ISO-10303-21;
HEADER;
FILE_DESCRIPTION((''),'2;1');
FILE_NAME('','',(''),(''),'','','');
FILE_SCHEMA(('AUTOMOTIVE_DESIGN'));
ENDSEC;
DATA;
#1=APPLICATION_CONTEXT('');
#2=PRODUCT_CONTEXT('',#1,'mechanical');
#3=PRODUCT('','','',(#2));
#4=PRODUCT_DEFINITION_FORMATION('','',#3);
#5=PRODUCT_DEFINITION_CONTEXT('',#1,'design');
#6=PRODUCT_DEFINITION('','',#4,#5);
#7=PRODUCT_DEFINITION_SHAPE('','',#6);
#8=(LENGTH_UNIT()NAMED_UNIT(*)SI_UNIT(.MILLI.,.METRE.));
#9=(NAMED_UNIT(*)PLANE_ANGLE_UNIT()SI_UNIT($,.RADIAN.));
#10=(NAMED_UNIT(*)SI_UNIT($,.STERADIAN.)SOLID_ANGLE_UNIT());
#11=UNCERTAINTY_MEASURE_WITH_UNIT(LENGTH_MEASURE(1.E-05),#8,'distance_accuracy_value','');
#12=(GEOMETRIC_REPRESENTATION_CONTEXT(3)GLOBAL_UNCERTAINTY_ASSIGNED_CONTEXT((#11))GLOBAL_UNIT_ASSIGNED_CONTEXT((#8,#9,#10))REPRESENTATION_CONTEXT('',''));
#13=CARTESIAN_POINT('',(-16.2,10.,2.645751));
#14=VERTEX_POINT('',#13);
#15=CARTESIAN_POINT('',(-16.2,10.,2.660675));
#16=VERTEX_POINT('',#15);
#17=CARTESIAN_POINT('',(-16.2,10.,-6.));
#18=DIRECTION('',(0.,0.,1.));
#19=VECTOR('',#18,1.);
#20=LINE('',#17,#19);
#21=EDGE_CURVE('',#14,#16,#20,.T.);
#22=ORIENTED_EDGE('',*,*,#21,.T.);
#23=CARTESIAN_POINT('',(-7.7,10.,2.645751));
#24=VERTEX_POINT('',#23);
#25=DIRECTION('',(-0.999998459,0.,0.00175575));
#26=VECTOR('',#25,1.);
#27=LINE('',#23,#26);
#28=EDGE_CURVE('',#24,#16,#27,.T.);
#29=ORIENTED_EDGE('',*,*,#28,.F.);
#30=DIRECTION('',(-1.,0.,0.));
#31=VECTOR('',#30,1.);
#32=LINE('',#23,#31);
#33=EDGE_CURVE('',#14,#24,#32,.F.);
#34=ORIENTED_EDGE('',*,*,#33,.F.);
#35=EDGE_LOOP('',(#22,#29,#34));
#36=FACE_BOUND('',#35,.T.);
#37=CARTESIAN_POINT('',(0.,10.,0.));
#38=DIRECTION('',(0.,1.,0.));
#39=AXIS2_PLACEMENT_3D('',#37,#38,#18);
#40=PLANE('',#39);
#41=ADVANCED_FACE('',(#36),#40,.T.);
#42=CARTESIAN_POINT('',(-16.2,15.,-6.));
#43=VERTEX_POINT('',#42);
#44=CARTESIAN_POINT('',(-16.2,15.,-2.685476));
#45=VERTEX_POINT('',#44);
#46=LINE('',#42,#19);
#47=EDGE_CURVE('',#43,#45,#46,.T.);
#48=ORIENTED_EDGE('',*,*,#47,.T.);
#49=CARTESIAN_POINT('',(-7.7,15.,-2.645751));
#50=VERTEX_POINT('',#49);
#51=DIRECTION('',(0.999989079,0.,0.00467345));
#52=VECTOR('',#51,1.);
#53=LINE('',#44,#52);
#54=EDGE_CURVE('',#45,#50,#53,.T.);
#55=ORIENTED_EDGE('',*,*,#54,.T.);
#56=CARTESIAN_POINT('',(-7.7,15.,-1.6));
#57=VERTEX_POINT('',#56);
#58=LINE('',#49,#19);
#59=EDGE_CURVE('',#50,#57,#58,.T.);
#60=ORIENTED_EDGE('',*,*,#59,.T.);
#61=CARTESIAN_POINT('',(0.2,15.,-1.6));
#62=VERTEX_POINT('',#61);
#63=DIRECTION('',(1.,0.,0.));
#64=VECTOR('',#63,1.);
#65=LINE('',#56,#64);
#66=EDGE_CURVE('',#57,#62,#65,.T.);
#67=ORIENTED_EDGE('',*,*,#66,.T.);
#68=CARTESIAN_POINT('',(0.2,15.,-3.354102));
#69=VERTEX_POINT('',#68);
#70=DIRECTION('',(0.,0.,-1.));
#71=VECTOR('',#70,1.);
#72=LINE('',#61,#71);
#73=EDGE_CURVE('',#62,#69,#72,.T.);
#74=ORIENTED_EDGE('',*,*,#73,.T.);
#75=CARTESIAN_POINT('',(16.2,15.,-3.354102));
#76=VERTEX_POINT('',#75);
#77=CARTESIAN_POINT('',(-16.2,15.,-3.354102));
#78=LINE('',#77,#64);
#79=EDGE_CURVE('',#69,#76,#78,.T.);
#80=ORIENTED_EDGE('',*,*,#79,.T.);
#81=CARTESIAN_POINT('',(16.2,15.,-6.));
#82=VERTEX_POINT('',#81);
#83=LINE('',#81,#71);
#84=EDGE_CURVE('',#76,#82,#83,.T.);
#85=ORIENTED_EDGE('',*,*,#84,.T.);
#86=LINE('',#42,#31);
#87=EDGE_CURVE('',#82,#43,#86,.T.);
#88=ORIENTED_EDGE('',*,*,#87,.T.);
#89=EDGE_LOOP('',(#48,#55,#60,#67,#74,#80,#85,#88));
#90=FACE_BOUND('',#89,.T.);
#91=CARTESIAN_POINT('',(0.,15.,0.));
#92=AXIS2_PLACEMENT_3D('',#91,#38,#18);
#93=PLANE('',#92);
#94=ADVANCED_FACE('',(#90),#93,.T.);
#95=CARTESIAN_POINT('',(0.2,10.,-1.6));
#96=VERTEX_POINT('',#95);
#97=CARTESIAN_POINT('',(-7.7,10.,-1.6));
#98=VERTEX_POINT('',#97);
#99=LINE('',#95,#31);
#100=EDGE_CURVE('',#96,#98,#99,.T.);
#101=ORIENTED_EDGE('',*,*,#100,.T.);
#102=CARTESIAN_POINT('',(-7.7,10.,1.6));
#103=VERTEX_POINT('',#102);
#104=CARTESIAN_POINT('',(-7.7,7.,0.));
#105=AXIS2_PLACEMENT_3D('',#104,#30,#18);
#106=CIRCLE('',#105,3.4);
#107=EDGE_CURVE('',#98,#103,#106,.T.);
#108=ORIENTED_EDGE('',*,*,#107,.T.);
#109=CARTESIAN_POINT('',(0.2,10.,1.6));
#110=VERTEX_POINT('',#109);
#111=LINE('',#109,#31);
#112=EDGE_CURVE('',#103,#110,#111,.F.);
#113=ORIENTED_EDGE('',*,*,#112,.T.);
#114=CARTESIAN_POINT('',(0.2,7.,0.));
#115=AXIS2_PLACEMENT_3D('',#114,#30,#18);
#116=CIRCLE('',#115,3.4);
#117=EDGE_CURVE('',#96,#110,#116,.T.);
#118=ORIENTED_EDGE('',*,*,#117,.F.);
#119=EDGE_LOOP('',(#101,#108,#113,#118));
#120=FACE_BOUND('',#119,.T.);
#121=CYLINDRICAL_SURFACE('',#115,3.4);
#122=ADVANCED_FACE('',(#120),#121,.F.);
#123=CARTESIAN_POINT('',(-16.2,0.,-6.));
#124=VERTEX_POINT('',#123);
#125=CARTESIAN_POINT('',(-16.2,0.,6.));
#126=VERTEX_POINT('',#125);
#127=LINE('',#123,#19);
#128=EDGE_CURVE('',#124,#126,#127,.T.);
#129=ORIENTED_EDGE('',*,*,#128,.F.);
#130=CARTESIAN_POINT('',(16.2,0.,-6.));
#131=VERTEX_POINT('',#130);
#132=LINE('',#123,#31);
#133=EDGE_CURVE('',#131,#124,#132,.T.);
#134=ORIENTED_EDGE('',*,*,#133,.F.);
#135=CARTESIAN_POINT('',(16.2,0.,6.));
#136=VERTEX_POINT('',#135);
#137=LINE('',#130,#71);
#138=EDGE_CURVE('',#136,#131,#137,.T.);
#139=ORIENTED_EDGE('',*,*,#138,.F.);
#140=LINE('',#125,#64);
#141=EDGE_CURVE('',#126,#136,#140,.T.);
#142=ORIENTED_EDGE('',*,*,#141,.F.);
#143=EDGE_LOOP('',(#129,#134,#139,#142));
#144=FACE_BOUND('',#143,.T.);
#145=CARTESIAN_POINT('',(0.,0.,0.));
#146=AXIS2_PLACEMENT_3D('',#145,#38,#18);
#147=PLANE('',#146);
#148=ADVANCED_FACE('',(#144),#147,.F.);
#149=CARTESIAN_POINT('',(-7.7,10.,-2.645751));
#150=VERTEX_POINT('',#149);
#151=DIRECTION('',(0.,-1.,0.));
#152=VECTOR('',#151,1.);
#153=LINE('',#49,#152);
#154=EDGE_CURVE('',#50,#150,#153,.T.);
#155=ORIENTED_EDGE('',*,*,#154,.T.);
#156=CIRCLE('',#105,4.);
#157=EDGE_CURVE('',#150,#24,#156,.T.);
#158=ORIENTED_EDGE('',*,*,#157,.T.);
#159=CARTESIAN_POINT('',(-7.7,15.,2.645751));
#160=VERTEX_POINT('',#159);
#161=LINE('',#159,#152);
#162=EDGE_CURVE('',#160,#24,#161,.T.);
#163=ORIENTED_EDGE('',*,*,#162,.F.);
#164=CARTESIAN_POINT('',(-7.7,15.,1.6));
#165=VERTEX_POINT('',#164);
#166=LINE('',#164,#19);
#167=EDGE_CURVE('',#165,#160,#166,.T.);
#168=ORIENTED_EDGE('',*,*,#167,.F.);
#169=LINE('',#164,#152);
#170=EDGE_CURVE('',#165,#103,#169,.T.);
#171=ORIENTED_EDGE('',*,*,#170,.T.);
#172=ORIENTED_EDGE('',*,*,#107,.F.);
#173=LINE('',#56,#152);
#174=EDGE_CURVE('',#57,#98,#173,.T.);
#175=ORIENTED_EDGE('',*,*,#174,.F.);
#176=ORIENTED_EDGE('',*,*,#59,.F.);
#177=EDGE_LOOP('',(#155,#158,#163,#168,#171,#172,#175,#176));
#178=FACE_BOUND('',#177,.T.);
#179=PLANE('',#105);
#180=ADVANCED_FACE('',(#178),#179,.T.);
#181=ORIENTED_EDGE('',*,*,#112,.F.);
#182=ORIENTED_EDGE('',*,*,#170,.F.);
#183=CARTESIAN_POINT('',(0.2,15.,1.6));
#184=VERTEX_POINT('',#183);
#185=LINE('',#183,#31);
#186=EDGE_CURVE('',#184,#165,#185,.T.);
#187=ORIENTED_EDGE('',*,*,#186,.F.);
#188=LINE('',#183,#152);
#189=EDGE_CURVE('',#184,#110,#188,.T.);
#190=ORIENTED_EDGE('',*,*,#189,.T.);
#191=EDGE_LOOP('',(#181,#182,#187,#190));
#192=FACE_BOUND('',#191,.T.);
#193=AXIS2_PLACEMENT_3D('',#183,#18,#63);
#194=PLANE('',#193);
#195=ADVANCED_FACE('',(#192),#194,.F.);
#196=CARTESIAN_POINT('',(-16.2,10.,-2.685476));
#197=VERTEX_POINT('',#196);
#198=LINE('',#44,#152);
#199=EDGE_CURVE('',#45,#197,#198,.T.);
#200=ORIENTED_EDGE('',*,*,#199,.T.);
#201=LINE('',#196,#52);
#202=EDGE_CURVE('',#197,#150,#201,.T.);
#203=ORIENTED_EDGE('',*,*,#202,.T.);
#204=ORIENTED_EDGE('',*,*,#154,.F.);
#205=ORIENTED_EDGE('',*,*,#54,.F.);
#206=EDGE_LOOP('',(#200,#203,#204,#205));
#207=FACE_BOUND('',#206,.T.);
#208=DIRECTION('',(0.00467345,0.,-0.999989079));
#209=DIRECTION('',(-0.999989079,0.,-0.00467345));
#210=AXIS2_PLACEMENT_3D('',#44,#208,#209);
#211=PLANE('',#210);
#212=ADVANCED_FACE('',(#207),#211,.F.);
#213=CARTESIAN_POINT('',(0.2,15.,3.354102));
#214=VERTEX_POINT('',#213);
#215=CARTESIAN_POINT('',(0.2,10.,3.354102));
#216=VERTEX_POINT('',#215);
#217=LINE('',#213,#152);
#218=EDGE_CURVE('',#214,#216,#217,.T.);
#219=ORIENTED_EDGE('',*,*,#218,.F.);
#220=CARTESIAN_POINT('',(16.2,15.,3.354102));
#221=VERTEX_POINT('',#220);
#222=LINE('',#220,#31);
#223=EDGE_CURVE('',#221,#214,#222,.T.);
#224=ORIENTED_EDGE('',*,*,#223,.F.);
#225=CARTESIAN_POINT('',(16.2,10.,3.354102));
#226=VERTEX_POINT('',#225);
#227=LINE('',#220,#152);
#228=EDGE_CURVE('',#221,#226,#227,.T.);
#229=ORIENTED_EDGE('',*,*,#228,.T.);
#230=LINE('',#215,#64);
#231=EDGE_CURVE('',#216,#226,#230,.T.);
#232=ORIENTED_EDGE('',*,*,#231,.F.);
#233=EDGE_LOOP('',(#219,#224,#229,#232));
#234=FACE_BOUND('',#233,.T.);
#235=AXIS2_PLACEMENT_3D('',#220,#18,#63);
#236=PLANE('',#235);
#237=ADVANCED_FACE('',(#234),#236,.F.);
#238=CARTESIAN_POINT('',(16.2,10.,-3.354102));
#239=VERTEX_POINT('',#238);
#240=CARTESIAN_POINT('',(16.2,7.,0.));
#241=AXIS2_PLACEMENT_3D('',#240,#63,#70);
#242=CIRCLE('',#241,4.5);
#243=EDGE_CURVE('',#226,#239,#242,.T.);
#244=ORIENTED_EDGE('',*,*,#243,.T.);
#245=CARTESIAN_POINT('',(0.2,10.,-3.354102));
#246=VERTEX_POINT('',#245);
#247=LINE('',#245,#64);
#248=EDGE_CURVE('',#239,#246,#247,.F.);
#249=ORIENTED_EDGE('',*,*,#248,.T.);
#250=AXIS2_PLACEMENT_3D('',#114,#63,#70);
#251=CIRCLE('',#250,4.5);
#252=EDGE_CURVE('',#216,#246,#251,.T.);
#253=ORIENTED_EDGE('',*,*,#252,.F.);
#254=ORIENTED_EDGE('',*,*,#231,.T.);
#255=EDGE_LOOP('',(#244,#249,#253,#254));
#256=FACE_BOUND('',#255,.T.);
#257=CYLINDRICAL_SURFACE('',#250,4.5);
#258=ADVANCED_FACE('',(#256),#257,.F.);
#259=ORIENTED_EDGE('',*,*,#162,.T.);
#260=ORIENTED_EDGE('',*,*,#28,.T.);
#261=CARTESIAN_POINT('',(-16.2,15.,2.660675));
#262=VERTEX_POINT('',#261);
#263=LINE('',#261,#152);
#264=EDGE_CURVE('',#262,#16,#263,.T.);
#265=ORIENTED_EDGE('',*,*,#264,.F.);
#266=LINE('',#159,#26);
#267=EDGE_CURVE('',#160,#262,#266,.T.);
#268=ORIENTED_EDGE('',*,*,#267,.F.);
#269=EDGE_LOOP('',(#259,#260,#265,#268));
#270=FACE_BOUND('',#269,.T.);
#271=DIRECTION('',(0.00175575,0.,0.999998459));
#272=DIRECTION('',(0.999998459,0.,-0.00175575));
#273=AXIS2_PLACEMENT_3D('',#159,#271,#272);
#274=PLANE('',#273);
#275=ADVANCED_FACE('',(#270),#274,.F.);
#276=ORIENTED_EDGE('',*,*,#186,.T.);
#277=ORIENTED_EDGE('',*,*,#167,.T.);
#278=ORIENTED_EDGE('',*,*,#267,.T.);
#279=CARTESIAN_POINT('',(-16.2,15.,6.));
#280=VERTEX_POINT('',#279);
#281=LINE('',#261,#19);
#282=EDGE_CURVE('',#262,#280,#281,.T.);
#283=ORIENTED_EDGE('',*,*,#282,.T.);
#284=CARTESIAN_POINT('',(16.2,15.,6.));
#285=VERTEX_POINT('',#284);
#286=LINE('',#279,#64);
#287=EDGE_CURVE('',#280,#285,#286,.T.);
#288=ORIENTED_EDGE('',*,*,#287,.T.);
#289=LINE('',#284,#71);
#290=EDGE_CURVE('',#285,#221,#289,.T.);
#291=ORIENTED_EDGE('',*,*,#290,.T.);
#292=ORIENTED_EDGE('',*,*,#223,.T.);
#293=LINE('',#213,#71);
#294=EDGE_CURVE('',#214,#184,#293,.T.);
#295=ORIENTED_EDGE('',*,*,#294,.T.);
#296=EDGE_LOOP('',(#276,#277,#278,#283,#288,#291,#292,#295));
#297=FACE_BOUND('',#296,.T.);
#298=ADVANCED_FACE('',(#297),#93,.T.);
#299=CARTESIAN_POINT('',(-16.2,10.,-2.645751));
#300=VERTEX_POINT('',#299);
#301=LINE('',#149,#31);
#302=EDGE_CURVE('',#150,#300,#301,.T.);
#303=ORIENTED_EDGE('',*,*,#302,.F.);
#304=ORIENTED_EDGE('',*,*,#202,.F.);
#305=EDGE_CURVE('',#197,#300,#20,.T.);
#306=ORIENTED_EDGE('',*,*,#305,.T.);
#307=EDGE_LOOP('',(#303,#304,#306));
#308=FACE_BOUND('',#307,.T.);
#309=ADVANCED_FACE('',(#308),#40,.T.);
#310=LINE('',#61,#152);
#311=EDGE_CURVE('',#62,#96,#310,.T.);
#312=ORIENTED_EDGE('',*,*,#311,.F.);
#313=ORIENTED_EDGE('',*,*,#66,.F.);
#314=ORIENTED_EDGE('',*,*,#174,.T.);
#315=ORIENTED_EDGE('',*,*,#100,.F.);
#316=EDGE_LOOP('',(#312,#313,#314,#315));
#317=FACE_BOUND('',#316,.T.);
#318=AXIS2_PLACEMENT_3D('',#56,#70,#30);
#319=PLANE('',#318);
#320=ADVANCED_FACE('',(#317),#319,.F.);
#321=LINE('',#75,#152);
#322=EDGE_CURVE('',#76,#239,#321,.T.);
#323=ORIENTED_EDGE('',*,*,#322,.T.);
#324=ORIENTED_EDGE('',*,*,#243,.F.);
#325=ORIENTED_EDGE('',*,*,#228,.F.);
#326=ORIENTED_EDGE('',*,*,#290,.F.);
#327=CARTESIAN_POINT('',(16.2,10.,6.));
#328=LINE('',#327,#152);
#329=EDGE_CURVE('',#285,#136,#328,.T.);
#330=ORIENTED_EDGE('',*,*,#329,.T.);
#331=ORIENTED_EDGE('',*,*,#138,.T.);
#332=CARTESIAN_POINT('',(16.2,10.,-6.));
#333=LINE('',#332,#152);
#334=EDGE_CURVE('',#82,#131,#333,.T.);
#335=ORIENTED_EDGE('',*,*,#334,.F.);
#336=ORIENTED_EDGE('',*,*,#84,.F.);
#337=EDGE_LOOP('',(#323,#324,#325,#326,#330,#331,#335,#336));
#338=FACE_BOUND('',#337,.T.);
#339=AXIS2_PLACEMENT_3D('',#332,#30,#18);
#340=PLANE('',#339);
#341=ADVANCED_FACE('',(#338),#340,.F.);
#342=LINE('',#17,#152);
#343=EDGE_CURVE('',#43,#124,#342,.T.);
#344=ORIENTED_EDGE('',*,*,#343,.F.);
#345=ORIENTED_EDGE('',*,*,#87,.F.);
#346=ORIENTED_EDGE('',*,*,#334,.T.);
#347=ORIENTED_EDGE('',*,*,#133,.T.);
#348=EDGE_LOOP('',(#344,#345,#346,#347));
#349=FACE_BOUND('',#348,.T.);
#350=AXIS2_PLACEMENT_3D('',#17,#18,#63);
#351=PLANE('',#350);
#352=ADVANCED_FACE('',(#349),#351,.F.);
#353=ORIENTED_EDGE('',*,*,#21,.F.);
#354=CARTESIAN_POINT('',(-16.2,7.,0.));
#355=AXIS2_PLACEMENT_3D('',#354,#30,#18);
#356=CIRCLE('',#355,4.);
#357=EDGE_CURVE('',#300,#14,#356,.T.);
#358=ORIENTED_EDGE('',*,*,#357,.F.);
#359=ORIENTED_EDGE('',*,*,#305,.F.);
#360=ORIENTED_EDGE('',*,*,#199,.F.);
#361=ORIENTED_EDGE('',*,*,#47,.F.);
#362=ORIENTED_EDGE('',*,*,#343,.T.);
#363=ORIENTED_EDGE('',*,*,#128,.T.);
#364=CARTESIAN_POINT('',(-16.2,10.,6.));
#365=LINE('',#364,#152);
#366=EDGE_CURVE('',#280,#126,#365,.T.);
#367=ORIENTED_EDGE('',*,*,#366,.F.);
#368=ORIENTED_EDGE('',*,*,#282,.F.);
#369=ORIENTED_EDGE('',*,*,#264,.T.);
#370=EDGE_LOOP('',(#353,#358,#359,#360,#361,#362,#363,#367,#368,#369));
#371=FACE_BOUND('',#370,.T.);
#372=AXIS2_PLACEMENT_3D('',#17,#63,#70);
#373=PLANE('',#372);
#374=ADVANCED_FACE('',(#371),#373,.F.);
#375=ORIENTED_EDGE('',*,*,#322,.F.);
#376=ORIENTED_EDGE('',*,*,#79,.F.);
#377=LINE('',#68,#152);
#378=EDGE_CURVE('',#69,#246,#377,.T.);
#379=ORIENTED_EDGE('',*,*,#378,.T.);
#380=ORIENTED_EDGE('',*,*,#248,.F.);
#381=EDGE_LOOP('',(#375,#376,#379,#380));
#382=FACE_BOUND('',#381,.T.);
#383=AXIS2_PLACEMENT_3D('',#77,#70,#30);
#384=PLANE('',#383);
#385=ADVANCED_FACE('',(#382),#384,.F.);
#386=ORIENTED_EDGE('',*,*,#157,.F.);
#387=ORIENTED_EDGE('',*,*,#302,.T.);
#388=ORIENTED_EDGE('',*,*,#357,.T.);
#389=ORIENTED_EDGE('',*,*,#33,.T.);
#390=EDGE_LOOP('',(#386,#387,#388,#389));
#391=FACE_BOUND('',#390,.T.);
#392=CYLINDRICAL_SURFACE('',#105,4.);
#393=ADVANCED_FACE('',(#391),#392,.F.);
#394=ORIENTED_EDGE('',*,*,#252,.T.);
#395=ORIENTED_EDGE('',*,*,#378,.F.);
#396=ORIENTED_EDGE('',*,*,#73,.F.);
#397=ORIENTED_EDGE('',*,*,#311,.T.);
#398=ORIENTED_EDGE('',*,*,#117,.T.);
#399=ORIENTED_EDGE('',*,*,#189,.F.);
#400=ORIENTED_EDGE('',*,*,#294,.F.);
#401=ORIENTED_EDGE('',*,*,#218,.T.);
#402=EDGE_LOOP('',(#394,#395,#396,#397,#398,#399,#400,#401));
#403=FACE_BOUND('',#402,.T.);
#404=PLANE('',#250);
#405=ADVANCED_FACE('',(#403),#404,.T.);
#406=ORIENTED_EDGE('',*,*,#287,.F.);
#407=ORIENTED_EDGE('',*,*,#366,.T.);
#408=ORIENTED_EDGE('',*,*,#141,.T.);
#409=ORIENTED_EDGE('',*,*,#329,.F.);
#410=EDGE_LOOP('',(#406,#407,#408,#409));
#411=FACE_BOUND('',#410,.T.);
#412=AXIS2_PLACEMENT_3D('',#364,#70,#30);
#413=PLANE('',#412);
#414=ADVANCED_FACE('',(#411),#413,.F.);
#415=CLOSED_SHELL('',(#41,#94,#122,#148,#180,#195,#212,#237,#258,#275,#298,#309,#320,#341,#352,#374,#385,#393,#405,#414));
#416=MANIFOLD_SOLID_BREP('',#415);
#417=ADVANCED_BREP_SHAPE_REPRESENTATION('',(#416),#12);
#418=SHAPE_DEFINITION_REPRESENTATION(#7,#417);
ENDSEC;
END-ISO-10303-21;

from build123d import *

# Parameters (mm, degrees)
SKETCH_1_W          = 32.4
SKETCH_1_H          = 12
EXTRUDE_1_DEPTH     = 10
SKETCH_4_R          = 4
CUT_EXTRUDE_2_DEPTH = 8.5
SKETCH_7_R          = 3.4
CUT_EXTRUDE_3_DEPTH = 7.9
SKETCH_8_R          = 4.5
CUT_EXTRUDE_4_DEPTH = 16
SKETCH_9_W          = 32.4
SKETCH_9_H          = 2.645898034
EXTRUDE_2_DEPTH     = 5
EXTRUDE_3_DEPTH     = 5
EXTRUDE_4_DEPTH     = 5


with BuildPart() as part:
    # 草圖1 → 填料-伸長1 (new body)
    with BuildSketch(Plane(origin=(0, 0, 0), x_dir=(1, 0, 0), z_dir=(0, 1, 0))):
        Rectangle(SKETCH_1_W, SKETCH_1_H)
    extrude(amount=EXTRUDE_1_DEPTH)

    # 草圖4 → 除料-伸長2 (cut)
    with BuildSketch(Plane.ZY.offset(16.2)):
        with Locations((0, 7)):
            Circle(SKETCH_4_R)
    extrude(amount=-CUT_EXTRUDE_2_DEPTH, mode=Mode.SUBTRACT)

    # 草圖7 → 除料-伸長3 (cut)
    with BuildSketch(Plane.ZY.offset(7.7)):
        with Locations((0, 7)):
            Circle(SKETCH_7_R)
    extrude(amount=-CUT_EXTRUDE_3_DEPTH, mode=Mode.SUBTRACT)

    # 草圖8 → 除料-伸長4 (cut)
    with BuildSketch(Plane(origin=(16.2, 0, 0), x_dir=(0, 0, -1), z_dir=(1, 0, 0))):
        with Locations((0, 7)):
            Circle(SKETCH_8_R)
    extrude(amount=-CUT_EXTRUDE_4_DEPTH, mode=Mode.SUBTRACT)

    # 草圖9 → 填料-伸長2 (add)
    with BuildSketch(Plane(origin=(0, 10, 0), x_dir=(1, 0, 0), z_dir=(0, 1, 0))):
        with Locations((0, 4.677050983)):
            Rectangle(SKETCH_9_W, SKETCH_9_H)
    extrude(amount=EXTRUDE_2_DEPTH)

    # 草圖10 → 填料-伸長3 (add)
    with BuildSketch(Plane(origin=(0, 10, 0), x_dir=(1, 0, 0), z_dir=(0, 1, 0))):
        Polygon((-16.2, 3.372532617), (-16.2, 2.685476071), (-7.7, 2.645751311), (-7.7, 1.6), (0.2, 1.6), (0.2, 3.354101966), align=None)
    extrude(amount=EXTRUDE_3_DEPTH)

    # 草圖11 → 填料-伸長4 (add)
    with BuildSketch(Plane(origin=(0, 10, 0), x_dir=(1, 0, 0), z_dir=(0, 1, 0))):
        Polygon((-16.2, -2.660675208), (-16.2, -6), (16.2, -6), (16.2, -3.354101966), (0.2, -3.354101966), (0.2, -1.6), (-7.7, -1.6), (-7.7, -2.645751311), align=None)
    extrude(amount=EXTRUDE_4_DEPTH)


solid = part.part
